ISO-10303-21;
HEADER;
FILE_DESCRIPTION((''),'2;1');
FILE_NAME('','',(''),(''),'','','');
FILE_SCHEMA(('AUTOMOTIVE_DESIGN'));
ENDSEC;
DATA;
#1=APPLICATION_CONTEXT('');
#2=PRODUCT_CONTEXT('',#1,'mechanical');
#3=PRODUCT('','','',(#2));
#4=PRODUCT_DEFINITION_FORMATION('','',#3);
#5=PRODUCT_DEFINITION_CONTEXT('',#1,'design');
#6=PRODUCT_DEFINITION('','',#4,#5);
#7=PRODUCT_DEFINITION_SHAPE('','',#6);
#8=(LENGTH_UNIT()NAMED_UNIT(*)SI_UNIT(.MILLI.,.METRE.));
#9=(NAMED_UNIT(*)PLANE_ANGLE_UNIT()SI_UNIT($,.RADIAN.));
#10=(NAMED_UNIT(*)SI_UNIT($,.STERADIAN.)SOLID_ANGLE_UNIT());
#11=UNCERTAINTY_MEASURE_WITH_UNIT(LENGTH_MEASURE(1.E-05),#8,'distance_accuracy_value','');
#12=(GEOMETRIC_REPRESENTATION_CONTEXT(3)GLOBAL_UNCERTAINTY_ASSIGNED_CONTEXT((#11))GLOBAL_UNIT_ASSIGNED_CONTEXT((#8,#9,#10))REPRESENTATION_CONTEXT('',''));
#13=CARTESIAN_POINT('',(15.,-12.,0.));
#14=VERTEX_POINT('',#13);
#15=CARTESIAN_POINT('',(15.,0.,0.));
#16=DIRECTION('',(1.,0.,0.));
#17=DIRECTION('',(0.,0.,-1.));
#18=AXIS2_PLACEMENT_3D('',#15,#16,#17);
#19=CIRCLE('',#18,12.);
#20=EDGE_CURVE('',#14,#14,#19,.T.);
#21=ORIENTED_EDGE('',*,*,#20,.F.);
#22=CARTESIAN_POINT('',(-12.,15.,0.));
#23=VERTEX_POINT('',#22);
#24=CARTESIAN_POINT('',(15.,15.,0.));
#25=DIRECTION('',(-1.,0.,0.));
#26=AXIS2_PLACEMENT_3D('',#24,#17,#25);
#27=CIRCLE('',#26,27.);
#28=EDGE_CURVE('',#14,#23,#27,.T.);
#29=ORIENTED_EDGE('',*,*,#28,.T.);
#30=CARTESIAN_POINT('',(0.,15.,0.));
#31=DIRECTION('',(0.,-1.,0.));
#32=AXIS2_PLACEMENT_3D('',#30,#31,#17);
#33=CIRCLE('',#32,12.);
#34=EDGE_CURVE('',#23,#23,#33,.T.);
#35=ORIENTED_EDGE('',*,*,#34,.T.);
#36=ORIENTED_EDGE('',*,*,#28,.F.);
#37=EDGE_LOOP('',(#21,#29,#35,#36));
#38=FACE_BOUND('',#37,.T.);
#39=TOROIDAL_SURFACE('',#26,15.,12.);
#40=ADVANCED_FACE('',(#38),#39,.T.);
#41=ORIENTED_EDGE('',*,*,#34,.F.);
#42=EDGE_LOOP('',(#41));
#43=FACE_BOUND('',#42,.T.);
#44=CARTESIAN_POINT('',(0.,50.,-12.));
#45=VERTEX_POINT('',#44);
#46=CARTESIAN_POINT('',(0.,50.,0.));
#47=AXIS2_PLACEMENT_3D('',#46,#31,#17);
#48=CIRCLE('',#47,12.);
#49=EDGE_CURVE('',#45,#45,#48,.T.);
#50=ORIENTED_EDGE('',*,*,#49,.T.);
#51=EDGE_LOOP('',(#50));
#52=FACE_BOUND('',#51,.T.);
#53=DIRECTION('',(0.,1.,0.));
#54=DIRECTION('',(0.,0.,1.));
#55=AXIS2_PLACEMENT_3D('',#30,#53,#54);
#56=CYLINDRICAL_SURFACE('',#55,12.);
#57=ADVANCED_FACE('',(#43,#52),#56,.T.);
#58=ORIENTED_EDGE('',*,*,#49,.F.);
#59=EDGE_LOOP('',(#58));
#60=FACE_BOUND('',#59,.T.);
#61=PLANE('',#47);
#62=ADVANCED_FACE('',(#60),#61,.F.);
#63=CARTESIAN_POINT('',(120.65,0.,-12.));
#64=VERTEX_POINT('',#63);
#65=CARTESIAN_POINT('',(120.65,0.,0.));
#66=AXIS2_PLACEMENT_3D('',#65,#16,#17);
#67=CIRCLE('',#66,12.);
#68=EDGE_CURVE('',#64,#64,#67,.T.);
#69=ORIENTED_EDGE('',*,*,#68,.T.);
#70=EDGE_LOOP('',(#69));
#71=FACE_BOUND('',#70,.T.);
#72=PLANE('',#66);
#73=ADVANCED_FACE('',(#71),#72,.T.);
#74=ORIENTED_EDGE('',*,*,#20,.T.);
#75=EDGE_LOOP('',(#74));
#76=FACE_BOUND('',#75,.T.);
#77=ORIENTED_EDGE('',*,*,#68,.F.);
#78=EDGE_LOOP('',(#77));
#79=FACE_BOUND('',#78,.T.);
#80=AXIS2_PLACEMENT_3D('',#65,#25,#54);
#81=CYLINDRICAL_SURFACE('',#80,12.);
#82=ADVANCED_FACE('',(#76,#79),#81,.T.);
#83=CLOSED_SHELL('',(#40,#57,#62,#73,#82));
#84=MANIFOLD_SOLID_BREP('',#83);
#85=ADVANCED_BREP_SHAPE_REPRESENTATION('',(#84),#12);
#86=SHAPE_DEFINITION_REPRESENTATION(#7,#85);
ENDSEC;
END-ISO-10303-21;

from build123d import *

# Parameters (mm, degrees)
FRONT_SHAFT_PROFILE_R = 12


with BuildPart() as part:
    # front shaft: sweep along a path in Sketch path front shaft
    with BuildLine(Plane.XY) as front_shaft_path:
        Line((120.65, 0), (15, 0))
        ThreePointArc((15, 0), (4.393398282, 4.393398282), (0, 15))
        Line((0, 15), (0, 50))
    # front shaft profile (on start of the path) → front shaft (sweep)
    with BuildSketch(Plane(origin=(120.65, 0, 0), x_dir=(0, 0, -1), z_dir=(-1, 0, 0))):
        Circle(FRONT_SHAFT_PROFILE_R)
    sweep(path=front_shaft_path.line)


solid = part.part
